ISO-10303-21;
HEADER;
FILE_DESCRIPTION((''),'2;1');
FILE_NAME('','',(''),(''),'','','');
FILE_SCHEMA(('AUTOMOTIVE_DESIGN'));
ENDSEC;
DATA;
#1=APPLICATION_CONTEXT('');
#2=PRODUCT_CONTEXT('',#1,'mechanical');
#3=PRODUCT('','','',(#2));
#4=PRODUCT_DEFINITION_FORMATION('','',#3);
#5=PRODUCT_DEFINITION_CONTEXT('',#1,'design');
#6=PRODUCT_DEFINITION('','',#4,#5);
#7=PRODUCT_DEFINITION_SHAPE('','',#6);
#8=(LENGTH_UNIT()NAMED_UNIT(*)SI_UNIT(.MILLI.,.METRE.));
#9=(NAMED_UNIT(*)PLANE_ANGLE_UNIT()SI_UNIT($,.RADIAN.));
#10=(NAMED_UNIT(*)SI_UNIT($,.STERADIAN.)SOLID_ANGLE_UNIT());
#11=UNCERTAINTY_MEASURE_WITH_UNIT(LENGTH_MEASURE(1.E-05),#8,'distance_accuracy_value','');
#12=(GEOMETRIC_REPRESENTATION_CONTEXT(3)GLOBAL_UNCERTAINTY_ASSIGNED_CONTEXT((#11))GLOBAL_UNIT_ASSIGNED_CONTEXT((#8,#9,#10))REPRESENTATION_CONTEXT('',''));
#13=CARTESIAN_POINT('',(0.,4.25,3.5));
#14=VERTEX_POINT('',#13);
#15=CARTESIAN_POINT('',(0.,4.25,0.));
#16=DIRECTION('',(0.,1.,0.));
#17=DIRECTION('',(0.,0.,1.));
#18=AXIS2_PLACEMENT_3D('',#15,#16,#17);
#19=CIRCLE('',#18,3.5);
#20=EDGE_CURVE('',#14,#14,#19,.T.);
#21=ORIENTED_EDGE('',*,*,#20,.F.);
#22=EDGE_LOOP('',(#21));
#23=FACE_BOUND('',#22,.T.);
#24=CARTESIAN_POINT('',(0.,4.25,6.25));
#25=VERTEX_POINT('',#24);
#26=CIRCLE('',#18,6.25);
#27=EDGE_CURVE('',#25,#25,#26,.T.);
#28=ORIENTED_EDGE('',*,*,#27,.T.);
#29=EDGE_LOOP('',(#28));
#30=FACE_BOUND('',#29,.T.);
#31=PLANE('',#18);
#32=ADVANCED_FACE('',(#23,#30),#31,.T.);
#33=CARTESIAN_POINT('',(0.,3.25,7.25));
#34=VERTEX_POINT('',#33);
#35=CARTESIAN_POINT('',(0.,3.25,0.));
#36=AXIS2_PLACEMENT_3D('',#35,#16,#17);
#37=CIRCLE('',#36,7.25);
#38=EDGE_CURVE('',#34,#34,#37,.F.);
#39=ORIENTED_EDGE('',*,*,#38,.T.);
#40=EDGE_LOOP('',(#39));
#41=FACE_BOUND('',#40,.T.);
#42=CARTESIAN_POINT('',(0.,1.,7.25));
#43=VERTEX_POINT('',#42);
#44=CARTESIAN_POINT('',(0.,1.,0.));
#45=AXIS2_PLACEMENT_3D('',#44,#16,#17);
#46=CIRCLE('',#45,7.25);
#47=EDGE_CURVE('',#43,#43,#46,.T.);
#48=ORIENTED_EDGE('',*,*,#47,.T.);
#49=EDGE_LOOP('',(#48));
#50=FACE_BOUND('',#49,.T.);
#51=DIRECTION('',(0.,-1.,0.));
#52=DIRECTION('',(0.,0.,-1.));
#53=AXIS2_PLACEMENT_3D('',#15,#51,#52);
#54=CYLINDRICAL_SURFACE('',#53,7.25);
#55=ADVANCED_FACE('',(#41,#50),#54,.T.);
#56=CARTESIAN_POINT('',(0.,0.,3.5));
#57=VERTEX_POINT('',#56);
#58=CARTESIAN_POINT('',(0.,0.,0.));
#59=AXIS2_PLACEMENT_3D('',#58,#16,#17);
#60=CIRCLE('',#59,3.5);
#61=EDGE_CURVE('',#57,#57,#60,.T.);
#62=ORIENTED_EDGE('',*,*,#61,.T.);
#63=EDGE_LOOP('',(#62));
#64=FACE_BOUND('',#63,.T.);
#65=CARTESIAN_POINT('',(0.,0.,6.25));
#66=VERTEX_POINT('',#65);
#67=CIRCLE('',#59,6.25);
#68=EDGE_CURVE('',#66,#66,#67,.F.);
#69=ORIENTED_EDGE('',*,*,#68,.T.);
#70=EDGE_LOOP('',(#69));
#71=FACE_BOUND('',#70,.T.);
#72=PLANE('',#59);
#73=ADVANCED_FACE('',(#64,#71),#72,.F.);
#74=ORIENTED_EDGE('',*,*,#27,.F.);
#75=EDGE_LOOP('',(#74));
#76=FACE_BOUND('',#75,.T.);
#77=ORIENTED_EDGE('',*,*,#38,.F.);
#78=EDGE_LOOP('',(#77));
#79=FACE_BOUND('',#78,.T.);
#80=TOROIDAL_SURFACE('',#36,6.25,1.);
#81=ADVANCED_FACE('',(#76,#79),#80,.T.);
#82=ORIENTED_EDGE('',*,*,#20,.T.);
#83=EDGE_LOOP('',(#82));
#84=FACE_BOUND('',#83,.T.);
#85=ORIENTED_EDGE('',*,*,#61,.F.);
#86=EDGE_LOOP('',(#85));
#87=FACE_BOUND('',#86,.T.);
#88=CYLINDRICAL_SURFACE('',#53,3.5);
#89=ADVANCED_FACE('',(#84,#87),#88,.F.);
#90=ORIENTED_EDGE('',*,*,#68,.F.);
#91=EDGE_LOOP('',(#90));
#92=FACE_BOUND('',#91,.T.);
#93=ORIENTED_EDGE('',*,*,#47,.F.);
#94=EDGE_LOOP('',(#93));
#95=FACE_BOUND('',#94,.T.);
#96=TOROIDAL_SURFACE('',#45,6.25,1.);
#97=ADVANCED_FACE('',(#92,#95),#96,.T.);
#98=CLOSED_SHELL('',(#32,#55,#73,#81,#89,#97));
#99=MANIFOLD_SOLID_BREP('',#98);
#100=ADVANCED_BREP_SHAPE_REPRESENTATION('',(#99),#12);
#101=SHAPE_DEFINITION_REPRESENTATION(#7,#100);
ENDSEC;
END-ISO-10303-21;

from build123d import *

# Parameters (mm, degrees)
SKETCH1_R           = 7.25
SKETCH1_R_2         = 3.5
BOSS_EXTRUDE1_DEPTH = 4.25
FILLET1_R           = 1


with BuildPart() as part:
    # Sketch1 → Boss-Extrude1 (new body)
    with BuildSketch(Plane(origin=(0, 0, 0), x_dir=(1, 0, 0), z_dir=(0, 1, 0))):
        Circle(SKETCH1_R)
        Circle(SKETCH1_R_2, mode=Mode.SUBTRACT)
    extrude(amount=BOSS_EXTRUDE1_DEPTH)

    # Fillet1
    fillet1_edges = [part.edges().sort_by_distance(p)[0] for p in [
        (-7.25, 0, 0),
        (-7.25, 4.25, 0),
    ]]
    fillet(fillet1_edges, radius=FILLET1_R)


solid = part.part
